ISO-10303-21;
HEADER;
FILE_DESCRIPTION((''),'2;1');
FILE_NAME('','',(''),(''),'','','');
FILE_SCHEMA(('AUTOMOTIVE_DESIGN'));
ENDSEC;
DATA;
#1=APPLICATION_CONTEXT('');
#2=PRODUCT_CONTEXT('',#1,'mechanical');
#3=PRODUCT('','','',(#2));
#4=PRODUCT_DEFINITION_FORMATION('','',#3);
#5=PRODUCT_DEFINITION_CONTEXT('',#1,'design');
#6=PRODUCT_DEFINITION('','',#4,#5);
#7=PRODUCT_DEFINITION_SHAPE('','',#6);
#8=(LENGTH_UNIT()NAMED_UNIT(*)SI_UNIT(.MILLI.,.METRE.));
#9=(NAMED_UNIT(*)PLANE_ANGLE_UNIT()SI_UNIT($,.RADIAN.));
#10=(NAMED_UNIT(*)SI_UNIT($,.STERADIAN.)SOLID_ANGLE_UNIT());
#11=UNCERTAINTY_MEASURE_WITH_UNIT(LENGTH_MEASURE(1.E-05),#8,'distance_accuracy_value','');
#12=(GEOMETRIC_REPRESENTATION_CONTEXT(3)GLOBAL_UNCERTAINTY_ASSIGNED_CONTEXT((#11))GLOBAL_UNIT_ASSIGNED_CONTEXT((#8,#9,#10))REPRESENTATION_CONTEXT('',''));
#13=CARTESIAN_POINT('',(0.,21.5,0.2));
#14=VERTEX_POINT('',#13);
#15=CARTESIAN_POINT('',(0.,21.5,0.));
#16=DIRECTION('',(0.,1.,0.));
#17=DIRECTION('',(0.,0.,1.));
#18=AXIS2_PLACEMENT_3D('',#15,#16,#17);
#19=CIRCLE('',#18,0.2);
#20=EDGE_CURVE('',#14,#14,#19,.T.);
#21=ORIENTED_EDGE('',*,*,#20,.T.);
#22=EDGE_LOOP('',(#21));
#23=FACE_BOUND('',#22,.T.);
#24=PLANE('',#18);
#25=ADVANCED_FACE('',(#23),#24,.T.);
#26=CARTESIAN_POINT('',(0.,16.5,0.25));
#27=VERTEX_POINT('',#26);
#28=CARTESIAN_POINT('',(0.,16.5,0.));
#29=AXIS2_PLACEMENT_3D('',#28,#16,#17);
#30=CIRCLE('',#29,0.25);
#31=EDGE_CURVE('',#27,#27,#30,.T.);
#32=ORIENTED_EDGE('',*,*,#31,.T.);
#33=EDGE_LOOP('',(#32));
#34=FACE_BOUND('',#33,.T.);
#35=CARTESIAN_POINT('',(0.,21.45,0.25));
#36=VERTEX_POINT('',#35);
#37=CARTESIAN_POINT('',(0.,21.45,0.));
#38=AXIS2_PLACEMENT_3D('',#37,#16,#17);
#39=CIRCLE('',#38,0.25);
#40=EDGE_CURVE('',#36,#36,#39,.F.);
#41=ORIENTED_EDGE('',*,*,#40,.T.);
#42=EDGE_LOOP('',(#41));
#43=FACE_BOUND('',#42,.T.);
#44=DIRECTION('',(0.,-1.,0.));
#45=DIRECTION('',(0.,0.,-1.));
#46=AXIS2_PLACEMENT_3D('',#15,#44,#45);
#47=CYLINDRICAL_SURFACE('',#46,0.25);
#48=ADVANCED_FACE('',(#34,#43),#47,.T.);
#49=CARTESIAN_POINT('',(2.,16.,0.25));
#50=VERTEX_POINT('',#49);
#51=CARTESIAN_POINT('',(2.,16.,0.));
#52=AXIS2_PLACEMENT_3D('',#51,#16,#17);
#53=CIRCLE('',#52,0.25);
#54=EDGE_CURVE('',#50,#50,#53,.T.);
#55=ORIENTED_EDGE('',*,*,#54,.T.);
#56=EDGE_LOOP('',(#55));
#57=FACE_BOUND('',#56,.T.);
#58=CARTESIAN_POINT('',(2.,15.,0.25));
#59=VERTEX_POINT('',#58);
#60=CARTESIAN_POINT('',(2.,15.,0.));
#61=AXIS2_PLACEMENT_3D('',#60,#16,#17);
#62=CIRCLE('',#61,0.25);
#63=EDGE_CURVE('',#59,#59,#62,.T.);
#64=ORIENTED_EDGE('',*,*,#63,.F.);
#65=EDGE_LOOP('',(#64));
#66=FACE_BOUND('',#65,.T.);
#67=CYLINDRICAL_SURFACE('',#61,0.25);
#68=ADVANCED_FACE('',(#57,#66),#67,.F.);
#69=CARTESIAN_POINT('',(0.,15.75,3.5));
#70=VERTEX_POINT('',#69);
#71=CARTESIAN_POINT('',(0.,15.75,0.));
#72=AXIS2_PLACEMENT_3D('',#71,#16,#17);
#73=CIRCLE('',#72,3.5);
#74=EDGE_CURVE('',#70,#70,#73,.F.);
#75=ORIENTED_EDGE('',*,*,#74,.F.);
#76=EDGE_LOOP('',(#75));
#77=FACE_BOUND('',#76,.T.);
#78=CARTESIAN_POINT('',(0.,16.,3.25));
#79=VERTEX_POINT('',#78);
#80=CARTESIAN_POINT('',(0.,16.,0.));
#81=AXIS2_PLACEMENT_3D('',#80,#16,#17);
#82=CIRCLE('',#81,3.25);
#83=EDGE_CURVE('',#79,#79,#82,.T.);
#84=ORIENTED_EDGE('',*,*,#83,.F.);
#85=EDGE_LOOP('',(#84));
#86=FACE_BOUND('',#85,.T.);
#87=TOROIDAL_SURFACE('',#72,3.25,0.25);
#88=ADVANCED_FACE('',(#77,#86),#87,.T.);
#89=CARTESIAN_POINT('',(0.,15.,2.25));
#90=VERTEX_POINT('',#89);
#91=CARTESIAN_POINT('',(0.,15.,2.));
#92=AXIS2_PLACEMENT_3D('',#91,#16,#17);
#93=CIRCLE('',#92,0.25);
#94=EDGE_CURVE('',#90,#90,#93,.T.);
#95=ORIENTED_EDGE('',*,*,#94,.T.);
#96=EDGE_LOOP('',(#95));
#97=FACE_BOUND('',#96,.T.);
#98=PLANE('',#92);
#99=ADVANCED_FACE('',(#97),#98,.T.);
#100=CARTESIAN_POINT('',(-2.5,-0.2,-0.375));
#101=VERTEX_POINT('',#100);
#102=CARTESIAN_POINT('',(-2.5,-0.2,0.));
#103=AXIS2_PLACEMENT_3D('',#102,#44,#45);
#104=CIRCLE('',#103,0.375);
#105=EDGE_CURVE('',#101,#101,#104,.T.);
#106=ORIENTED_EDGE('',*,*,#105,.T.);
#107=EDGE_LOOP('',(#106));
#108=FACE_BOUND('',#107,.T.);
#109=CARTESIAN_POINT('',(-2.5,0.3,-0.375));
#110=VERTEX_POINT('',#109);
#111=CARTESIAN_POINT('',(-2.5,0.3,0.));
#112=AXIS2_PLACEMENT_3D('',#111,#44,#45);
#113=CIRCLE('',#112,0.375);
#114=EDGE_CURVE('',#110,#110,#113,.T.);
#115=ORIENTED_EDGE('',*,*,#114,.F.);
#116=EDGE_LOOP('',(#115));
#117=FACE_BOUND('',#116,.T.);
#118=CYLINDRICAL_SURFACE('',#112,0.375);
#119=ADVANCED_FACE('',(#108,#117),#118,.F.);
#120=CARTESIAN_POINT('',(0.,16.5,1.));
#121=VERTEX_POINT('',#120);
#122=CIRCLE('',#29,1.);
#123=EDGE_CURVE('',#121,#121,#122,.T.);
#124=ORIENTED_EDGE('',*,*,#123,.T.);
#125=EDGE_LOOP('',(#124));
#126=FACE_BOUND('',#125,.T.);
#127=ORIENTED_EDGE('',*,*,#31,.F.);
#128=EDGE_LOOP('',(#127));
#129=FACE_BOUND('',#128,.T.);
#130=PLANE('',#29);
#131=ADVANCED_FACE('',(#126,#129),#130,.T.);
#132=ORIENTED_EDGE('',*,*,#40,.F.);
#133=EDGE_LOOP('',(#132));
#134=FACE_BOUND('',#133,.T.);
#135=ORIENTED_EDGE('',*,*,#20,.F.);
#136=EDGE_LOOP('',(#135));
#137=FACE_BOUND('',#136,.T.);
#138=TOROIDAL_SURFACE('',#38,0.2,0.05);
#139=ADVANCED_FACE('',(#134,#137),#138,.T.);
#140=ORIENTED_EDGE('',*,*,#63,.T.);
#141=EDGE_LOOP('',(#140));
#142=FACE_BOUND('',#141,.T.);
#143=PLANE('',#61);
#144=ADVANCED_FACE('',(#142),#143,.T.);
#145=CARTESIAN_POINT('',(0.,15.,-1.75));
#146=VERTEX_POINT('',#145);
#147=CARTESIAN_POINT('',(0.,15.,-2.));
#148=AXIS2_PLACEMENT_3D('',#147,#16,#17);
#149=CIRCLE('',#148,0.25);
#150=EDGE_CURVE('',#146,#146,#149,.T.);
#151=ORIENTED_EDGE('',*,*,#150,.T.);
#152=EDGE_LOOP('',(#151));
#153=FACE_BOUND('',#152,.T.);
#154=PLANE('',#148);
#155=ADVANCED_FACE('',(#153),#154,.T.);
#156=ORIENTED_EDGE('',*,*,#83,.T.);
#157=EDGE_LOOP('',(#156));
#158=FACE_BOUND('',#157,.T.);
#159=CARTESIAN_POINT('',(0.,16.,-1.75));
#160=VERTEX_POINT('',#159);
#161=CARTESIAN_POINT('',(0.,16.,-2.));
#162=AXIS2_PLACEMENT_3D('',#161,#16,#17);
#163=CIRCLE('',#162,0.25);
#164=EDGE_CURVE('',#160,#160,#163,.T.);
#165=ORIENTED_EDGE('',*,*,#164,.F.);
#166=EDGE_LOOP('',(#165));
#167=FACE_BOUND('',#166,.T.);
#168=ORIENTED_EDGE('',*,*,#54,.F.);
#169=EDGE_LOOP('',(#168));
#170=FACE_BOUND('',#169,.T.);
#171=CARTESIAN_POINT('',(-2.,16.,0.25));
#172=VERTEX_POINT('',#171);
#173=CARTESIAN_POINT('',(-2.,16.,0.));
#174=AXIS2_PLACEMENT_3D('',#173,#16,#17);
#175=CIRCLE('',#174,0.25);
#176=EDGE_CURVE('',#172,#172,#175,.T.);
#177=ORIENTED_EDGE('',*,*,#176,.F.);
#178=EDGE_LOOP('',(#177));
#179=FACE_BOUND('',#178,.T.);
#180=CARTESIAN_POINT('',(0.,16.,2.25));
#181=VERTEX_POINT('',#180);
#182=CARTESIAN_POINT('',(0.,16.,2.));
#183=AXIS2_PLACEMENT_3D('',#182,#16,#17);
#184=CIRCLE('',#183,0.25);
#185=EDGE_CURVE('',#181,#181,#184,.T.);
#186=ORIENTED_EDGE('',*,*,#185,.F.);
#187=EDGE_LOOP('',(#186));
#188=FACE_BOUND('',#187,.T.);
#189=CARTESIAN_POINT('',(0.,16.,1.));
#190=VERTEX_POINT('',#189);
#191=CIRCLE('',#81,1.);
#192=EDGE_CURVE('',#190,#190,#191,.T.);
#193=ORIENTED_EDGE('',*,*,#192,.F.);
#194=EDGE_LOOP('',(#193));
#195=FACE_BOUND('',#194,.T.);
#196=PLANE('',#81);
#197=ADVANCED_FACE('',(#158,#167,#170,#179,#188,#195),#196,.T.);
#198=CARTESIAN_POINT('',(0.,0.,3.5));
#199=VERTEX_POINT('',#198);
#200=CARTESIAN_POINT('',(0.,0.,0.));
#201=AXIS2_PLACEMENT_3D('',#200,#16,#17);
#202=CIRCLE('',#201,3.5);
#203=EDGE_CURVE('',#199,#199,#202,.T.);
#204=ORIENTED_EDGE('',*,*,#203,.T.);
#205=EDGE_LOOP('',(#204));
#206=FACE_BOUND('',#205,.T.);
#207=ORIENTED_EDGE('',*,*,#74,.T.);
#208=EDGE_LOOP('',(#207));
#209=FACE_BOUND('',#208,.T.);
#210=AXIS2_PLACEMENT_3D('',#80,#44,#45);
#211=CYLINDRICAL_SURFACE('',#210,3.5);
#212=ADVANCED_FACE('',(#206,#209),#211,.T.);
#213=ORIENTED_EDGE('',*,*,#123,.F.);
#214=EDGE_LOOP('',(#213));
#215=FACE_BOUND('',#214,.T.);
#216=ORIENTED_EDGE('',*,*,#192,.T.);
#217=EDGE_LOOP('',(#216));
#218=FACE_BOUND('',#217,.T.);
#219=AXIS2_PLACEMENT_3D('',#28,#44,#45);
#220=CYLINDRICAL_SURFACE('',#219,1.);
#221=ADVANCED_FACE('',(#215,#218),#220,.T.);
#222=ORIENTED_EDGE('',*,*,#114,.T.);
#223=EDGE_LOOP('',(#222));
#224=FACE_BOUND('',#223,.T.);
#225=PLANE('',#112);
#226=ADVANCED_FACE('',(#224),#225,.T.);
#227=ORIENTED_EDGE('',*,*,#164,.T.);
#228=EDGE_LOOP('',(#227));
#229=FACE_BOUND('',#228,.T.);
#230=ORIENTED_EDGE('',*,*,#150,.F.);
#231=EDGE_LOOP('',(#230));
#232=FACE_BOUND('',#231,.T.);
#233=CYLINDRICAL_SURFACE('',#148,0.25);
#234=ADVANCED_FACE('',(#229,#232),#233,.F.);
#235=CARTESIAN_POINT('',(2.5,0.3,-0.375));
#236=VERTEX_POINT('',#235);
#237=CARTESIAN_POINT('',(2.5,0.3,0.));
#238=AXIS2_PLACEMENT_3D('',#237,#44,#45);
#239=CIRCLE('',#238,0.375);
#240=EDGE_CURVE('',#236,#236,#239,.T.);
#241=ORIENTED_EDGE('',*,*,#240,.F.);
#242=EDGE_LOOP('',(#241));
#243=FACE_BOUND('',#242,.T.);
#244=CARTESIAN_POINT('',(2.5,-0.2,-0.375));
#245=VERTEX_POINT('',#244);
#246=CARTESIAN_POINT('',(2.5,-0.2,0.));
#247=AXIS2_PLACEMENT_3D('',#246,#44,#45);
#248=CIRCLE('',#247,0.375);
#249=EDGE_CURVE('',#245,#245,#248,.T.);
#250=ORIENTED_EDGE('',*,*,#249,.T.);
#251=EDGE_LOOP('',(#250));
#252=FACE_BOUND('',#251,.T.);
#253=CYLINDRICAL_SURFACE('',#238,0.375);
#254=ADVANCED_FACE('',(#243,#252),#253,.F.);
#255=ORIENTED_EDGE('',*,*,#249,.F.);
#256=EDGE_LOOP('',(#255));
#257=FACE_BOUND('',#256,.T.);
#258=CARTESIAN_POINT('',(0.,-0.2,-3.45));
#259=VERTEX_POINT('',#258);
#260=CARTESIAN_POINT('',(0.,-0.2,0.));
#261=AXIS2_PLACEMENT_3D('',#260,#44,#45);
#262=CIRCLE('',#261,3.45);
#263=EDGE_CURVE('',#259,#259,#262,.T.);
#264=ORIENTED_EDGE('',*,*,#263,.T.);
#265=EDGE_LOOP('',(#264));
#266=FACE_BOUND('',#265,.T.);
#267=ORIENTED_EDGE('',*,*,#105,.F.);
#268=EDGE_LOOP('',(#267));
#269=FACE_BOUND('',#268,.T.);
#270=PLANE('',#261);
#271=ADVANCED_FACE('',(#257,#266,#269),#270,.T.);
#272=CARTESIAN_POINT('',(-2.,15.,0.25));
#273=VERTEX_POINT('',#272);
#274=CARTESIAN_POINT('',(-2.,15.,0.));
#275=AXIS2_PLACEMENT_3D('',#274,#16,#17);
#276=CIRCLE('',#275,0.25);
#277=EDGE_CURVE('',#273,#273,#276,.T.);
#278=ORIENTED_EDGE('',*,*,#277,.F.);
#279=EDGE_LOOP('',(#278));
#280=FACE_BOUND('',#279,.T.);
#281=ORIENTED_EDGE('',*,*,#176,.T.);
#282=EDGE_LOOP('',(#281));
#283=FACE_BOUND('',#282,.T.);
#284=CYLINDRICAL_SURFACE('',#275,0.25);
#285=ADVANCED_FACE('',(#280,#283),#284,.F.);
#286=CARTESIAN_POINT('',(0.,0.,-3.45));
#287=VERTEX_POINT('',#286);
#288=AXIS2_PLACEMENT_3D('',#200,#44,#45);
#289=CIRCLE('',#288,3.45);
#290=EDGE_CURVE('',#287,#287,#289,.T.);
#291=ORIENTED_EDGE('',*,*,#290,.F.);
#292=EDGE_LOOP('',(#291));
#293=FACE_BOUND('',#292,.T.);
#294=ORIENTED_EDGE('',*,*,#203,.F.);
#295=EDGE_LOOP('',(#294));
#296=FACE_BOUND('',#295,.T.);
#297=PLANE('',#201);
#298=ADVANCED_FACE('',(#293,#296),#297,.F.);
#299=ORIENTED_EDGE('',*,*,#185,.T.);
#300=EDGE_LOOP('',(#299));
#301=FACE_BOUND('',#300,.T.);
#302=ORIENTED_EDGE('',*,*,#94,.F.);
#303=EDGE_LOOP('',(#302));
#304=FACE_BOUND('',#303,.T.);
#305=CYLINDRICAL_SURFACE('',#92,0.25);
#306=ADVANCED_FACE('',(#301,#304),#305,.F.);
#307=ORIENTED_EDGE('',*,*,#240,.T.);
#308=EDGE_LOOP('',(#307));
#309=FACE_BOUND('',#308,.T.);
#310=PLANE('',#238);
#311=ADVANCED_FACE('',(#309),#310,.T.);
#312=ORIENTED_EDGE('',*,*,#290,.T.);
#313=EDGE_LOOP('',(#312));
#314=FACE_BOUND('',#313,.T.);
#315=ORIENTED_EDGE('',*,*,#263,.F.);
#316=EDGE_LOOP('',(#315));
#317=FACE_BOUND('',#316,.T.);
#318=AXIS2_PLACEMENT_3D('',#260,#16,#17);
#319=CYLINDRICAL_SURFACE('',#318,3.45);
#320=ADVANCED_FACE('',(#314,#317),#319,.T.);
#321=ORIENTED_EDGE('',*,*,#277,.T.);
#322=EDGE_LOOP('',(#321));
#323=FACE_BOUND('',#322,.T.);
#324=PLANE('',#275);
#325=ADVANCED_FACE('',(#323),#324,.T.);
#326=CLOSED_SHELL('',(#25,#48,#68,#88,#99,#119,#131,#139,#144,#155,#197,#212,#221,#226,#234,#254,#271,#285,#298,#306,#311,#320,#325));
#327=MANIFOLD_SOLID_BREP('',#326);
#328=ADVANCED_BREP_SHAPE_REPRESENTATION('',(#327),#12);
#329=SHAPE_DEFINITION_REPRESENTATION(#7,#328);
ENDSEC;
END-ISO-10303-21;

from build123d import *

# Parameters (mm, degrees)
ESBO_O1_R                = 3.5
RESSALTO_EXTRUS_O1_DEPTH = 16
ESBO_O2_R                = 3.45
RESSALTO_EXTRUS_O2_DEPTH = 0.2
ESBO_O3_R                = 0.375
CORTE_EXTRUS_O1_DEPTH    = 0.5
ESBO_O4_R                = 1
RESSALTO_EXTRUS_O3_DEPTH = 0.5
ESBO_O5_R                = 0.25
RESSALTO_EXTRUS_O4_DEPTH = 5
FILETE1_R                = 0.25
FILETE2_R                = 0.05
ESBO_O6_R                = 0.25
CORTE_EXTRUS_O2_DEPTH    = 1


with BuildPart() as part:
    # Esboço1 → Ressalto-extrusão1 (new body)
    with BuildSketch(Plane(origin=(0, 0, 0), x_dir=(1, 0, 0), z_dir=(0, 1, 0))):
        with Locations(Location((0, 0, 0), (0, 0, 270))):
            Circle(ESBO_O1_R)
    extrude(amount=RESSALTO_EXTRUS_O1_DEPTH)

    # Esboço2 → Ressalto-extrusão2 (add)
    with BuildSketch(Plane.XZ):
        with Locations(Location((0, 0, 0), (0, 0, 270))):
            Circle(ESBO_O2_R)
    extrude(amount=RESSALTO_EXTRUS_O2_DEPTH)

    # Esboço3 → Corte-extrusão1 (cut)
    with BuildSketch(Plane.XZ.offset(0.2)):
        with Locations(Location((-2.5, 0, 0), (0, 0, 270))):
            Circle(ESBO_O3_R)
        with Locations(Location((2.5, 0, 0), (0, 0, 270))):
            Circle(ESBO_O3_R)
    extrude(amount=-CORTE_EXTRUS_O1_DEPTH, mode=Mode.SUBTRACT)

    # Esboço4 → Ressalto-extrusão3 (add)
    with BuildSketch(Plane(origin=(0, 16, 0), x_dir=(1, 0, 0), z_dir=(0, 1, 0))):
        with Locations(Location((0, 0, 0), (0, 0, 270))):
            Circle(ESBO_O4_R)
    extrude(amount=RESSALTO_EXTRUS_O3_DEPTH)

    # Esboço5 → Ressalto-extrusão4 (add)
    with BuildSketch(Plane(origin=(0, 16.5, 0), x_dir=(1, 0, 0), z_dir=(0, 1, 0))):
        with Locations(Location((0, 0, 0), (0, 0, 270))):
            Circle(ESBO_O5_R)
    extrude(amount=RESSALTO_EXTRUS_O4_DEPTH)

    # Filete1
    filete1_edges = [part.edges().sort_by_distance(p)[0] for p in [
        (0, 16, -3.5),
    ]]
    fillet(filete1_edges, radius=FILETE1_R)

    # Filete2
    filete2_edges = [part.edges().sort_by_distance(p)[0] for p in [
        (0, 21.5, -0.25),
    ]]
    fillet(filete2_edges, radius=FILETE2_R)

    # Esboço6 → Corte-extrusão2 (cut)
    with BuildSketch(Plane(origin=(0, 16, 0), x_dir=(1, 0, 0), z_dir=(0, 1, 0))):
        with Locations(Location((0, 2, 0), (0, 0, 270))):
            Circle(ESBO_O6_R)
        with Locations(Location((2, 0, 0), (0, 0, 270))):
            Circle(ESBO_O6_R)
        with Locations(Location((0, -2, 0), (0, 0, 270))):
            Circle(ESBO_O6_R)
        with Locations(Location((-2, 0, 0), (0, 0, 270))):
            Circle(ESBO_O6_R)
    extrude(amount=-CORTE_EXTRUS_O2_DEPTH, mode=Mode.SUBTRACT)


solid = part.part
